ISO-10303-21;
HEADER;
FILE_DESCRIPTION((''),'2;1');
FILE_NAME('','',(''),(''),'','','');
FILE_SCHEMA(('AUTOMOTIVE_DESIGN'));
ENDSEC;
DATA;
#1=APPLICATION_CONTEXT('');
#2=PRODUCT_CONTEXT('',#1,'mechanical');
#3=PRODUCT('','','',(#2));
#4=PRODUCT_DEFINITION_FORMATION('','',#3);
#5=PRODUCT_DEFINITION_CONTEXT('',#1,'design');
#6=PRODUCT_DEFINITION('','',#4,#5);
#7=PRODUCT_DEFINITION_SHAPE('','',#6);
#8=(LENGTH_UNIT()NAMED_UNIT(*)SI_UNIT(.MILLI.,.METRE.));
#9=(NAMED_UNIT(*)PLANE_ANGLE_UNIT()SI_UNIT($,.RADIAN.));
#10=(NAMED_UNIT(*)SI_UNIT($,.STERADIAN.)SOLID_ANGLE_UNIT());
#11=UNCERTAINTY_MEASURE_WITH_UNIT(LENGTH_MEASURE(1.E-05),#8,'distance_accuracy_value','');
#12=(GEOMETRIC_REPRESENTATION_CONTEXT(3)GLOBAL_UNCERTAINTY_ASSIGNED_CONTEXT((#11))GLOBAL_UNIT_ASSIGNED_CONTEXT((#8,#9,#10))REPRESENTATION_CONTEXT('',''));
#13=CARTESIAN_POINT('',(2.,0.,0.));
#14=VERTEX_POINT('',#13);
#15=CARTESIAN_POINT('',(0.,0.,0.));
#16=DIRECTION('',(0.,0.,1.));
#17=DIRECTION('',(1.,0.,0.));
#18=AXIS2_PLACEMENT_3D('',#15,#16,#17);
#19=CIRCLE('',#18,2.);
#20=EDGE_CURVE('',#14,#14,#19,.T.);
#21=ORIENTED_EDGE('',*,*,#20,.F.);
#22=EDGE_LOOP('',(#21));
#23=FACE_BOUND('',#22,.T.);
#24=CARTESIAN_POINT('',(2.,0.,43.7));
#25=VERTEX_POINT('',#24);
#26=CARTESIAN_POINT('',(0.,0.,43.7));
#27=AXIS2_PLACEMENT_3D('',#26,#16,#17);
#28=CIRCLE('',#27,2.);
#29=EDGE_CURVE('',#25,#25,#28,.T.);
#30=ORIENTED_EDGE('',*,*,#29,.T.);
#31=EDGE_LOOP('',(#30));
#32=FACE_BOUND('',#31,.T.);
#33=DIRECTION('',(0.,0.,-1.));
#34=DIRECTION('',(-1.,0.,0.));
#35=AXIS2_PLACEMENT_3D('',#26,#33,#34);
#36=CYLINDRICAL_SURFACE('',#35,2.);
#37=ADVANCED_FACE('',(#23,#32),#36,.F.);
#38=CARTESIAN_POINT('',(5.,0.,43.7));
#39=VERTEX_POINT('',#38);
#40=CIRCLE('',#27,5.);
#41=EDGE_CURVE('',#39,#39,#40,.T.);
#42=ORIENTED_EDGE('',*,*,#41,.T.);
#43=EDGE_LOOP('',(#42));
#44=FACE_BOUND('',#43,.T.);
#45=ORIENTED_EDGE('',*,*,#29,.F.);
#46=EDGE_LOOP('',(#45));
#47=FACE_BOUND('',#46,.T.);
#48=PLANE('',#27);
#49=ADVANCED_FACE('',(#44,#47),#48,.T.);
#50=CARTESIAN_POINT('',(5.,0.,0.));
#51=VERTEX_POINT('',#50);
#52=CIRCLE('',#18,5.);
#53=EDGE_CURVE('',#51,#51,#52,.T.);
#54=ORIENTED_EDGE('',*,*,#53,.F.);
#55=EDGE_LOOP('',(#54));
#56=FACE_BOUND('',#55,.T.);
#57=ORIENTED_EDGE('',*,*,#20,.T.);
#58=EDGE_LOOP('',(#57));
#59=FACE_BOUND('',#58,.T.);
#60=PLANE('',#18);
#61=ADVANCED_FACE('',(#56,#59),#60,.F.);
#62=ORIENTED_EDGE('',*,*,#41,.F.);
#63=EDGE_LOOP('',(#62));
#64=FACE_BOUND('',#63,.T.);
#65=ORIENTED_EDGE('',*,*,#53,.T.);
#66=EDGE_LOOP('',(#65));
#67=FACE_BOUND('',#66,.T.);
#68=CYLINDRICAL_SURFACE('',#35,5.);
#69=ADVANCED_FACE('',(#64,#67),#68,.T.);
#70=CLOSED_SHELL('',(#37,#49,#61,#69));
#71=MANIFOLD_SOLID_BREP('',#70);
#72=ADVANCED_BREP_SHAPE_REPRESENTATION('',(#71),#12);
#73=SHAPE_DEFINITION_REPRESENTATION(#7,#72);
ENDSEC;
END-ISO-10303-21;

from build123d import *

# Parameters (mm, degrees)
SKETCH_1_R      = 5
SKETCH_1_R_2    = 2
EXTRUDE_1_DEPTH = 43.7


with BuildPart() as part:
    # 草图1 → 凸台-拉伸1 (new body)
    with BuildSketch(Plane.XY):
        Circle(SKETCH_1_R)
        Circle(SKETCH_1_R_2, mode=Mode.SUBTRACT)
    extrude(amount=EXTRUDE_1_DEPTH)


solid = part.part
